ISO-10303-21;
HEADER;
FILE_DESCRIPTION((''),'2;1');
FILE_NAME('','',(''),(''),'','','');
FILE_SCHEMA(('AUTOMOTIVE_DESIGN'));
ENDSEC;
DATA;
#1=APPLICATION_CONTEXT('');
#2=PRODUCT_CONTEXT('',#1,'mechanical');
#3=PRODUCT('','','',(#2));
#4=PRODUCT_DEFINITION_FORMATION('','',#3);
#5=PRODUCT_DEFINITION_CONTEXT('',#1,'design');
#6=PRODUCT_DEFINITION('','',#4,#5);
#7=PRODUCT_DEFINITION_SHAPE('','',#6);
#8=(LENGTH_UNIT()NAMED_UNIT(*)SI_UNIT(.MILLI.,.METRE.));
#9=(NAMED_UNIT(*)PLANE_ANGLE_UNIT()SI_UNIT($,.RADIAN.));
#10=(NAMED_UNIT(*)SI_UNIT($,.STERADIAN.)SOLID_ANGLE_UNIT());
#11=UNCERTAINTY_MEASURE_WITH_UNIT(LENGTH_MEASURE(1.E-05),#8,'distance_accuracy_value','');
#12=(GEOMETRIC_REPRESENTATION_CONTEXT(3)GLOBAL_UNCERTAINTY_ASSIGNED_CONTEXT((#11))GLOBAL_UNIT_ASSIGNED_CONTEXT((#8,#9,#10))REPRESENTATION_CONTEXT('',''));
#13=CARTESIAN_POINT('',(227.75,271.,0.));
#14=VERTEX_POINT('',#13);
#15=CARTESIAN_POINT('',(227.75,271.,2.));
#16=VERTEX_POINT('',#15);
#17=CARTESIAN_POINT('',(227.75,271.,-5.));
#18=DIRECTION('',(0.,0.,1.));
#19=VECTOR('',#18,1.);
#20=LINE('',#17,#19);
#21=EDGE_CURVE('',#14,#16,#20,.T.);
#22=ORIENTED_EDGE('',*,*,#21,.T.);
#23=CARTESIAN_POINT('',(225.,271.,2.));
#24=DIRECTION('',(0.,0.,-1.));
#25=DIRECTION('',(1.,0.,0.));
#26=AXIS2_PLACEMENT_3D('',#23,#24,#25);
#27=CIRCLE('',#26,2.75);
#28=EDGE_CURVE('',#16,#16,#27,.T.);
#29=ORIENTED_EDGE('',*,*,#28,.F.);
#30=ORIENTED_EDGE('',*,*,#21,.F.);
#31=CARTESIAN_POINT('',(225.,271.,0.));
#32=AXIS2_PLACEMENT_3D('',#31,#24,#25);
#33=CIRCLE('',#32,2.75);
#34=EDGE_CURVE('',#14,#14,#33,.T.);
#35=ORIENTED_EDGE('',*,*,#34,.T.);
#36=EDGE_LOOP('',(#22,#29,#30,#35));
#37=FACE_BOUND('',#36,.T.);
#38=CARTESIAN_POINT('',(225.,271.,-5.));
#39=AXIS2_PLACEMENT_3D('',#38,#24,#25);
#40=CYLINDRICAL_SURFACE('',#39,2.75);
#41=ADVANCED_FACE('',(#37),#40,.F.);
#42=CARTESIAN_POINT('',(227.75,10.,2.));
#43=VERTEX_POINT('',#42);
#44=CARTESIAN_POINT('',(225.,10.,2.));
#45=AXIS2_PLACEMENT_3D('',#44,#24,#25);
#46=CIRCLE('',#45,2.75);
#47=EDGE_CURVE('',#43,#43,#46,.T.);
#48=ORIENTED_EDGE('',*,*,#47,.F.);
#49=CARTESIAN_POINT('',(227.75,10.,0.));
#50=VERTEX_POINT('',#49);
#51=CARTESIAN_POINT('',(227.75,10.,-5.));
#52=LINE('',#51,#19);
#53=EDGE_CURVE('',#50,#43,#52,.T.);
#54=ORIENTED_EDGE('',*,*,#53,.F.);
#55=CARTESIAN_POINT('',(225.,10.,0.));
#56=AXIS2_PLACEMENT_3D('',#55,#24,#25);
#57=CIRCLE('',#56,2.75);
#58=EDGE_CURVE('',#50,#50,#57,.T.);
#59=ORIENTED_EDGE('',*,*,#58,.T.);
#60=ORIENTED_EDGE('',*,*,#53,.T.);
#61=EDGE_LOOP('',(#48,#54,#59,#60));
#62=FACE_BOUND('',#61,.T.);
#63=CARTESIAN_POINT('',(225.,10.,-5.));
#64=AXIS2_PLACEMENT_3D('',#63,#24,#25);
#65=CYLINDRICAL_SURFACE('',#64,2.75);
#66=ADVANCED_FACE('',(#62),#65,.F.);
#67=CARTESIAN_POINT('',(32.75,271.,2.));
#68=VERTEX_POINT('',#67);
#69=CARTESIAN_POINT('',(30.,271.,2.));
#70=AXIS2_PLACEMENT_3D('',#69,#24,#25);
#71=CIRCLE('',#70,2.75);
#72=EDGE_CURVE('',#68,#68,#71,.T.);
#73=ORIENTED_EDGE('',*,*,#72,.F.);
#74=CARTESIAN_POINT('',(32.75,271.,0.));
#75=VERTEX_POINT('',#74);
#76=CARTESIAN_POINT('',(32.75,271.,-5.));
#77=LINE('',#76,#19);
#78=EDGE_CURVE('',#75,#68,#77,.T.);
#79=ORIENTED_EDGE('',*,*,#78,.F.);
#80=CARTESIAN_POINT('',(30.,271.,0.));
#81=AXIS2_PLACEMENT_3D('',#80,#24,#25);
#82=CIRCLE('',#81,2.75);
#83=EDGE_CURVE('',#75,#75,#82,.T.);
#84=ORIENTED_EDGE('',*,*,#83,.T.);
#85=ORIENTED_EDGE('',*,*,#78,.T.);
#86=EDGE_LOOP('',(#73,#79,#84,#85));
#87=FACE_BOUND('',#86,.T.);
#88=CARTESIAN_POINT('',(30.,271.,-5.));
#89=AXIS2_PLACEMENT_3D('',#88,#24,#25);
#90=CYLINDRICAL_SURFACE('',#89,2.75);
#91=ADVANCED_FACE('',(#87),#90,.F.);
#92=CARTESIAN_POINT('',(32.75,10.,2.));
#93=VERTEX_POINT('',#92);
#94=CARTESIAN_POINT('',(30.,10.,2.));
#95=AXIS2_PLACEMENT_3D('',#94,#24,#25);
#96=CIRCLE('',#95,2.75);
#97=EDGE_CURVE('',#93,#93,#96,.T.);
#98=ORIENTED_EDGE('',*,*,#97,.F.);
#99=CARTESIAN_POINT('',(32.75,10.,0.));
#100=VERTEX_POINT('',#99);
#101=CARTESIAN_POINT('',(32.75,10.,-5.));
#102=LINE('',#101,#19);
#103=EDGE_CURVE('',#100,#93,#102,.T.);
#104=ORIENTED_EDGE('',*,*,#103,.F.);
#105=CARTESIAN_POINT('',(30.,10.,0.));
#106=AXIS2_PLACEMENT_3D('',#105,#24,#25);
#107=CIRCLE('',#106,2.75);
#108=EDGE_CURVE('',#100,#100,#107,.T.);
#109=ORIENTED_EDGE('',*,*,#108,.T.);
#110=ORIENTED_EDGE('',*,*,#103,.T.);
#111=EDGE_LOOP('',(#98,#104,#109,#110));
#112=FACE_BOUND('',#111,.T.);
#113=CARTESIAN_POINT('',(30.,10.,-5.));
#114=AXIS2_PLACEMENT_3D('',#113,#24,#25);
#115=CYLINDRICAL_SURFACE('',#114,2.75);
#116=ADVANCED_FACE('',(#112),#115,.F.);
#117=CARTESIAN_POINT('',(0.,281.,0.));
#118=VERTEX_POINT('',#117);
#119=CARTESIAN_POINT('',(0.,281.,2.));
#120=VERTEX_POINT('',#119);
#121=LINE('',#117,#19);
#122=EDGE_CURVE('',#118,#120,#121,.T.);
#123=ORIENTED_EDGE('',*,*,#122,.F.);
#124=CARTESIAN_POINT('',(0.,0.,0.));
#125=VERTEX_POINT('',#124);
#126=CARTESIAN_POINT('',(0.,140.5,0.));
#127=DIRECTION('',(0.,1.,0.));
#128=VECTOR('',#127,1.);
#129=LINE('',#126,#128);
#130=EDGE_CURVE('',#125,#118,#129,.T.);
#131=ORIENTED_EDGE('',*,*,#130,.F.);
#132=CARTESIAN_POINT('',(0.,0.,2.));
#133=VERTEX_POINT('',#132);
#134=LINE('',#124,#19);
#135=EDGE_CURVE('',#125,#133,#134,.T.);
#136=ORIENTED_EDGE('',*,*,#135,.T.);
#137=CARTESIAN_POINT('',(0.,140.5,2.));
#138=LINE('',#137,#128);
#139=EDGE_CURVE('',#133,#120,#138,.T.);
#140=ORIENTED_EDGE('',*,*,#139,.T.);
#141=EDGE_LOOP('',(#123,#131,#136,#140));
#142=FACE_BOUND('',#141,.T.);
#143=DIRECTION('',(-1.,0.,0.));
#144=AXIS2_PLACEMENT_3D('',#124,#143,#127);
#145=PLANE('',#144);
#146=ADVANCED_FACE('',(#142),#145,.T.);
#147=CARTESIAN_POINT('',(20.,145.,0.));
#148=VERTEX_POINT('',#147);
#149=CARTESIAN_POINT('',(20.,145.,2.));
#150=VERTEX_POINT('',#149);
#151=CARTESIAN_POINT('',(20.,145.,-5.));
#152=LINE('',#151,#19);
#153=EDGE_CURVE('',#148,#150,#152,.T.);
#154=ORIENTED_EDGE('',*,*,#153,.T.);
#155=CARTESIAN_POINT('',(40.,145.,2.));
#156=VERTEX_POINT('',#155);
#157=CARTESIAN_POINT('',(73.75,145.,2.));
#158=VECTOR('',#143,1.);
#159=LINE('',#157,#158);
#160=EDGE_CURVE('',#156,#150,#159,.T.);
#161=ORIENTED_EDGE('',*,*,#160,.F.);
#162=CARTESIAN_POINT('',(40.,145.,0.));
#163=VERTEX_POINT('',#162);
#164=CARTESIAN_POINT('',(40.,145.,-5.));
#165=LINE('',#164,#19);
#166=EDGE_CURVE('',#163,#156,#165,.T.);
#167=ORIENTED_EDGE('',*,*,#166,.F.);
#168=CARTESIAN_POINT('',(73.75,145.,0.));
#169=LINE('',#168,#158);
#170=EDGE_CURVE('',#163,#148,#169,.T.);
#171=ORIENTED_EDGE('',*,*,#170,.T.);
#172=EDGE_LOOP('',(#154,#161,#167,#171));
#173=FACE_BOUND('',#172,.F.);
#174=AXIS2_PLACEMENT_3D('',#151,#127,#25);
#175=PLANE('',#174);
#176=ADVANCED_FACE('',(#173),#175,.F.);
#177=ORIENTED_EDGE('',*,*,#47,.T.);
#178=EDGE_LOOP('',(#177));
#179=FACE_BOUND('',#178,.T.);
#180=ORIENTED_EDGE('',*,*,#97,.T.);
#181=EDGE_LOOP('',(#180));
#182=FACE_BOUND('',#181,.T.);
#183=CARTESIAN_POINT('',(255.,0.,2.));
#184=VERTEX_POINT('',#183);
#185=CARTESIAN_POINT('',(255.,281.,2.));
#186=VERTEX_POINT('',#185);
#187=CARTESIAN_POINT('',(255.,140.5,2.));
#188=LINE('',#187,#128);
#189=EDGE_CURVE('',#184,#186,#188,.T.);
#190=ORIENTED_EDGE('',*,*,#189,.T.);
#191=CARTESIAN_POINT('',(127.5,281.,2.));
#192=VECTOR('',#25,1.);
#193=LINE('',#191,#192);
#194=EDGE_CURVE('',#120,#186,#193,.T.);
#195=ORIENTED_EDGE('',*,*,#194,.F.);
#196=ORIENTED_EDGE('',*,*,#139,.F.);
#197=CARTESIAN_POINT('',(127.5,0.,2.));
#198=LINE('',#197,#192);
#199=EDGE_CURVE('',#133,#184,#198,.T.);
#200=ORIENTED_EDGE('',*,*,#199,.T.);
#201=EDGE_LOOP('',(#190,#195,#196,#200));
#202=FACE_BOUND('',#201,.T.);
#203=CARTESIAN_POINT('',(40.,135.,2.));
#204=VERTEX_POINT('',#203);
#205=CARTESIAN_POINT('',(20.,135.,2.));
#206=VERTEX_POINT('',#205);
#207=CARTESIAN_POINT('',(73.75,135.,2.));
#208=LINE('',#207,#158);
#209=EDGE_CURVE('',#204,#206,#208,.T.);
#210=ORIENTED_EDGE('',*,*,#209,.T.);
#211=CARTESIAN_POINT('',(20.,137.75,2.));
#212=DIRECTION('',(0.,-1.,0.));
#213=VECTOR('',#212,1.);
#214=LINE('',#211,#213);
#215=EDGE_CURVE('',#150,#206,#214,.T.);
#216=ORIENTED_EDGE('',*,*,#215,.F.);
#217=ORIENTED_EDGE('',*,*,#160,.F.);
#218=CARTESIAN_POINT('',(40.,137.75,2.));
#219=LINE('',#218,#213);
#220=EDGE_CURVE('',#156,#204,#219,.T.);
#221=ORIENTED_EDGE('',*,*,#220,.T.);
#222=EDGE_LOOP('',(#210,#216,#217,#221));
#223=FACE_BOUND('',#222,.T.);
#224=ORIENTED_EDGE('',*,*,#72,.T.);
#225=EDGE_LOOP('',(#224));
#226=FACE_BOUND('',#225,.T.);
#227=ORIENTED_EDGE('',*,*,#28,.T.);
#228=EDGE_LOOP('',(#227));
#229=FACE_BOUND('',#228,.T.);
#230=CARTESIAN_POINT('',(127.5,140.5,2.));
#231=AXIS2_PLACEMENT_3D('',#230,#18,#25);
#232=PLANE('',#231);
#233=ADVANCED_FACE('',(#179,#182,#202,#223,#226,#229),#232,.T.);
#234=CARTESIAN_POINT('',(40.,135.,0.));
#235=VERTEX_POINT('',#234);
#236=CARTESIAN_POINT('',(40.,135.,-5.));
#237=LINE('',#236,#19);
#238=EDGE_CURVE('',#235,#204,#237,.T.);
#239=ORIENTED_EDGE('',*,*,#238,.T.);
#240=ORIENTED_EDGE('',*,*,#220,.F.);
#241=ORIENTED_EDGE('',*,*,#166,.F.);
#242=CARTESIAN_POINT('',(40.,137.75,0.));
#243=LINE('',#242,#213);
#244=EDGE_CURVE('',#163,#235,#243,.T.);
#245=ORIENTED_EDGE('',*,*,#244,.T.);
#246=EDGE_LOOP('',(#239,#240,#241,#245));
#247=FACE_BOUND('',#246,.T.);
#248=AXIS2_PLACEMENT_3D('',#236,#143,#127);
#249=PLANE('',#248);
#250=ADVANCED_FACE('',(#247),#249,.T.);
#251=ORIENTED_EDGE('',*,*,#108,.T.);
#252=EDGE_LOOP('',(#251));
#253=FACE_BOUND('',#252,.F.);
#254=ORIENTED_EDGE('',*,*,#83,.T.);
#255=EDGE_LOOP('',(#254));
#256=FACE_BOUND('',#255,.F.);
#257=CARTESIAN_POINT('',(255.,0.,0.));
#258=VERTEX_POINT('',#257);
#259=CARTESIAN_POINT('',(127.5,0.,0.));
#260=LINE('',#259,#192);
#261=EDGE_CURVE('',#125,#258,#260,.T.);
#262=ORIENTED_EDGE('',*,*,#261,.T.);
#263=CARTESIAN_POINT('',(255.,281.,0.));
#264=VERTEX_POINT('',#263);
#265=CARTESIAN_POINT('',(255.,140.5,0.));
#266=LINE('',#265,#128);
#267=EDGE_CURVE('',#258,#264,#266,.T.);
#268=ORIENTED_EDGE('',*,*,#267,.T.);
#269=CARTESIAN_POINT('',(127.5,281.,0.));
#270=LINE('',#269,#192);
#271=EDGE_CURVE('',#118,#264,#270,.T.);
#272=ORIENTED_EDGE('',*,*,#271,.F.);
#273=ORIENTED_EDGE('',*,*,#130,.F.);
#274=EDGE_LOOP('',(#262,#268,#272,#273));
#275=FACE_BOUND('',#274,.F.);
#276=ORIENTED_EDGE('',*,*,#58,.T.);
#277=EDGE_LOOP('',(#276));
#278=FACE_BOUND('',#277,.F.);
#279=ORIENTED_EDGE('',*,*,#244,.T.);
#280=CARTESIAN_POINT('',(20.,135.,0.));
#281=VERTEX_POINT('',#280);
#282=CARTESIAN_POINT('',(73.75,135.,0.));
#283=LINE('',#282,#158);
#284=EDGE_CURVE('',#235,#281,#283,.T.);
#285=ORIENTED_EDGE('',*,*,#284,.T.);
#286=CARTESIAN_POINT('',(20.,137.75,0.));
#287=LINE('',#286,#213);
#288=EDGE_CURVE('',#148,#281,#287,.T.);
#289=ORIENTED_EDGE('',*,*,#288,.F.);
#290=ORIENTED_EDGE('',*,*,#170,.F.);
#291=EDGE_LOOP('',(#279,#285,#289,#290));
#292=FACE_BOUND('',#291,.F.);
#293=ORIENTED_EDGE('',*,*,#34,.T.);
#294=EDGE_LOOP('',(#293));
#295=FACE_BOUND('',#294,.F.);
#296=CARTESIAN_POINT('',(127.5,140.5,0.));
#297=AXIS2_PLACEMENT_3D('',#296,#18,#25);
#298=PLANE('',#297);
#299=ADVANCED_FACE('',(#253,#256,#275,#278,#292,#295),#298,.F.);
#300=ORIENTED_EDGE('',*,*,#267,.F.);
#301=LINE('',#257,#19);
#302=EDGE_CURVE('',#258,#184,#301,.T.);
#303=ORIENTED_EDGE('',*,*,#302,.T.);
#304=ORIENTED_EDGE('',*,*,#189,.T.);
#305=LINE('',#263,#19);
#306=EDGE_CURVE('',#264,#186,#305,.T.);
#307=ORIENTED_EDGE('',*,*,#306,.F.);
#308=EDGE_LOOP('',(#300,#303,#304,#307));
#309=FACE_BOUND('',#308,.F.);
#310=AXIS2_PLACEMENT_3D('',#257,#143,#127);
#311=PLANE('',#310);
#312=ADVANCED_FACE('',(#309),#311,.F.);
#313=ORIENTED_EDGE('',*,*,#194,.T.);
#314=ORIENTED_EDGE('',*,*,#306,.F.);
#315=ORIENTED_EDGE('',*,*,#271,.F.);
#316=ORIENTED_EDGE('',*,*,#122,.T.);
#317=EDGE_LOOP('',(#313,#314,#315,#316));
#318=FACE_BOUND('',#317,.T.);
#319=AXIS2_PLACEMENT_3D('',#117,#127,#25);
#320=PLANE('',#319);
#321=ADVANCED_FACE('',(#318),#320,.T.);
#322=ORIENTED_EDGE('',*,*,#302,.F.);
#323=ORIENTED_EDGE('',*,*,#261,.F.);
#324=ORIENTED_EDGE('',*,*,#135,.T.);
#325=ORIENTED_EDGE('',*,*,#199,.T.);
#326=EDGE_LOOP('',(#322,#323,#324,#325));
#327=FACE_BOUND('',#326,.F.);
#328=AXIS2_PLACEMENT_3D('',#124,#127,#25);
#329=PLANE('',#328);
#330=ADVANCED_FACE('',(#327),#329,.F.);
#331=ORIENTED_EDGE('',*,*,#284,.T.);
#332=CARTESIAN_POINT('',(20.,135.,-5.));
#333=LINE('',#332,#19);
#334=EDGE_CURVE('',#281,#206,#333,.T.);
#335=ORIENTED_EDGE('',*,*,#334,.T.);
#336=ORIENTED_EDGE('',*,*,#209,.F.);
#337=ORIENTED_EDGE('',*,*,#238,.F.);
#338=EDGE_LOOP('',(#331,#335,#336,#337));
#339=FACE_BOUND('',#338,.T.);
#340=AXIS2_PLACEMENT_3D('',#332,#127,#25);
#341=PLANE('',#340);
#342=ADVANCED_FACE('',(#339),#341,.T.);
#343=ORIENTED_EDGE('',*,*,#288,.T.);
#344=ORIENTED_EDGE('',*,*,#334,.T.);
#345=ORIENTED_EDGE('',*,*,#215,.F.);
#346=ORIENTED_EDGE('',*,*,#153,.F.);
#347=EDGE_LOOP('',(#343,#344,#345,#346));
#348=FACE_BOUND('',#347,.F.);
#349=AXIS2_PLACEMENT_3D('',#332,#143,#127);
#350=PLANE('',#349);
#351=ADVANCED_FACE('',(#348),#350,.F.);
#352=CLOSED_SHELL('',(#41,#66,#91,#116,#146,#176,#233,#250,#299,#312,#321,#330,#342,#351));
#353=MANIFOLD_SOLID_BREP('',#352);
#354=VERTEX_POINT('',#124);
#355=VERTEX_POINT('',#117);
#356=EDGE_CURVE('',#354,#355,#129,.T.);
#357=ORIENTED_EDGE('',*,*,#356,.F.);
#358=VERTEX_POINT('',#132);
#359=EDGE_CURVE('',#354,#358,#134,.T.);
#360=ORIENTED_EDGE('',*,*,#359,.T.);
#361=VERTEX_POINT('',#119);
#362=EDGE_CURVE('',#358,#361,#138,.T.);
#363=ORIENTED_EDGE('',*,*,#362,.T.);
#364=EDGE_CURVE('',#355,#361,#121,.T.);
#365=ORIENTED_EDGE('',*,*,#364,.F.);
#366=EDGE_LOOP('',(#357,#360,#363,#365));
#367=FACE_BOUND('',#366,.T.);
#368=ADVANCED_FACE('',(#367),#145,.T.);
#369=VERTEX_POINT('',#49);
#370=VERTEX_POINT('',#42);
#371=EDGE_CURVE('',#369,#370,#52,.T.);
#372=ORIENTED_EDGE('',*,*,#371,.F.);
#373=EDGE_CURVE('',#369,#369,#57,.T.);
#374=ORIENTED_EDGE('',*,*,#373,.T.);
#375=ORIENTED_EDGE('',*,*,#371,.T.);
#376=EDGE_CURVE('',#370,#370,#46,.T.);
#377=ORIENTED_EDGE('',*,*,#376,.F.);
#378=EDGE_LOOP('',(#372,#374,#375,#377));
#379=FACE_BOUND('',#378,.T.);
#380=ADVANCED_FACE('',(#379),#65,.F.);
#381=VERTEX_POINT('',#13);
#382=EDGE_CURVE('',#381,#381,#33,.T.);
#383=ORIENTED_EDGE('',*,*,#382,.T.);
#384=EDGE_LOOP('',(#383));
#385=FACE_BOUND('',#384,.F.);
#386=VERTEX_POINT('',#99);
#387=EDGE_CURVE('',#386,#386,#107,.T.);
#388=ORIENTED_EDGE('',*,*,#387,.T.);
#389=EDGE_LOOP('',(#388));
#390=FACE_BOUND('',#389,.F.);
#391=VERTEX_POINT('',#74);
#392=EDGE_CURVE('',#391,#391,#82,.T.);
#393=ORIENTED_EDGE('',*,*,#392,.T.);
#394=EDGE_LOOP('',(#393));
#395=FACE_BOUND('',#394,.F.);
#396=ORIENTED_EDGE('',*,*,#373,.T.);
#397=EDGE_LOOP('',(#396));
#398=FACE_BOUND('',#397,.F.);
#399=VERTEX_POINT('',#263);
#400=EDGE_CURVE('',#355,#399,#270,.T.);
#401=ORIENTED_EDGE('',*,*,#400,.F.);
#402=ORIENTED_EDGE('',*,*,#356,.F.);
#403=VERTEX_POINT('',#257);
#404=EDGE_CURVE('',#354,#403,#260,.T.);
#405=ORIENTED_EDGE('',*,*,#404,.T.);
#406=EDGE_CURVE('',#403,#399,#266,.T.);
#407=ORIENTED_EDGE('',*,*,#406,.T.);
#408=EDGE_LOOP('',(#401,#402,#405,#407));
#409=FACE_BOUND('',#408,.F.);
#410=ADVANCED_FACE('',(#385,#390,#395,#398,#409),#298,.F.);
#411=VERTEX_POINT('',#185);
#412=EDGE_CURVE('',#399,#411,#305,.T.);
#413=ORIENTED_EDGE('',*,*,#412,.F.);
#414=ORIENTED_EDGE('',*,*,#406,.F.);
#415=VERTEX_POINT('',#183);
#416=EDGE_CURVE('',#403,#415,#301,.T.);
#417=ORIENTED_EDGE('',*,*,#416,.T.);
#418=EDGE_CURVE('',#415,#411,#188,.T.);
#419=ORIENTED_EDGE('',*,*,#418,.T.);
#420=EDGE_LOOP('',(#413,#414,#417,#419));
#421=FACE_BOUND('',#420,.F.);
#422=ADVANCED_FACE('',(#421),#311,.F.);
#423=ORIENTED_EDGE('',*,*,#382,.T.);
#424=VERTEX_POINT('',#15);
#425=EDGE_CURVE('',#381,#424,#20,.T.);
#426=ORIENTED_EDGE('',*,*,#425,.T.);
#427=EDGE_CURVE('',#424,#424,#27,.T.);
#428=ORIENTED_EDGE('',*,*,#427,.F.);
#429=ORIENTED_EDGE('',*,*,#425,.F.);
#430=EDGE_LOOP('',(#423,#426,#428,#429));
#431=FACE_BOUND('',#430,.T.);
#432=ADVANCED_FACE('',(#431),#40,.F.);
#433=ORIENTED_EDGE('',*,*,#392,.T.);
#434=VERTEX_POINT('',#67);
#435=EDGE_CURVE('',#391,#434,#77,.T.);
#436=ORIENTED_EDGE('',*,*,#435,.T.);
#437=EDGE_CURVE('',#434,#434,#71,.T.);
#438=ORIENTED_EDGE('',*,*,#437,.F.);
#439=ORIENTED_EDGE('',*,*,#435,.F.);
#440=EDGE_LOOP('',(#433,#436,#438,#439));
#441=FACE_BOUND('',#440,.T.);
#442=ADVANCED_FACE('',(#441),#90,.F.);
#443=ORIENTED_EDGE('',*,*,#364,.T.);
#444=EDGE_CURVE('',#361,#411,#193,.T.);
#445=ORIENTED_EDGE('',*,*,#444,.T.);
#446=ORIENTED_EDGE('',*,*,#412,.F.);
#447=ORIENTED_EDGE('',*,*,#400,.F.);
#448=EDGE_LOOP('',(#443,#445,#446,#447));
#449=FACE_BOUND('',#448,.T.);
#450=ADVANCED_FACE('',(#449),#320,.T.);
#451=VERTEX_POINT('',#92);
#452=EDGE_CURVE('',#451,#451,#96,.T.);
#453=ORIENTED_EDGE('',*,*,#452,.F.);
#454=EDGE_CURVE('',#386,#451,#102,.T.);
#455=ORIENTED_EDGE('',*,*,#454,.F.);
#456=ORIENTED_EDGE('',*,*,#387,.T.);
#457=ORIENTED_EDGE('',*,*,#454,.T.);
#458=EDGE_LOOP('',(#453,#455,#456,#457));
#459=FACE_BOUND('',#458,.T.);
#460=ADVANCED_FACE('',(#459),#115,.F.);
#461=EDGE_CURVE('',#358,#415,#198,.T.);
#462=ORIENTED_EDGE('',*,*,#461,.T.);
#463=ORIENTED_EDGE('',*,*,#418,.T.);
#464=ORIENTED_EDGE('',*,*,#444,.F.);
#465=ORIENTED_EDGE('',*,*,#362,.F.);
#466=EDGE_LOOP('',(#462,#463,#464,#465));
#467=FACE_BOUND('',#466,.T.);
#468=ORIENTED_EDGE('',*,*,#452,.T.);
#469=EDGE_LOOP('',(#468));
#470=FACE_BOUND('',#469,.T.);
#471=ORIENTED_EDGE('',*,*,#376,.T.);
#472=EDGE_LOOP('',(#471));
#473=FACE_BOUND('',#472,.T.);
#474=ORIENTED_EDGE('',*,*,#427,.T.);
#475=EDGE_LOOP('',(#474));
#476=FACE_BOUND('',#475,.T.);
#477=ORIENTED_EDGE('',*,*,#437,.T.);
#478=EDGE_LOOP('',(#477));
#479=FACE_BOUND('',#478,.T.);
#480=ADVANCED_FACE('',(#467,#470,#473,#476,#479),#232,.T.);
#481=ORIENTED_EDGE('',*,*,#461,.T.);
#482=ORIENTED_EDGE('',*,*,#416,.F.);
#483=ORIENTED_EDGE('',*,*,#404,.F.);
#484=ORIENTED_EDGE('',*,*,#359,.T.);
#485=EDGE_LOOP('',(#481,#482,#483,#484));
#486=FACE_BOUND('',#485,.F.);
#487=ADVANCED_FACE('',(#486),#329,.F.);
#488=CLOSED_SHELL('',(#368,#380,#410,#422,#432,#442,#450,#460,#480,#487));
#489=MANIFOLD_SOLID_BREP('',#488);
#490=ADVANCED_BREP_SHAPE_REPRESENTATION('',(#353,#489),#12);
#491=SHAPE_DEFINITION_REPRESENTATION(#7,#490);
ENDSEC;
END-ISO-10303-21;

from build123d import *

# Parameters (mm, degrees)
CYLINDER003_R     = 2.75
CYLINDER003_DEPTH = 10
CYLINDER002_R     = 2.75
CYLINDER002_DEPTH = 10
CYLINDER001_R     = 2.75
CYLINDER001_DEPTH = 10
CYLINDER_R        = 2.75
CYLINDER_DEPTH    = 10
BOX_W             = 255
BOX_H             = 281
BOX_DEPTH         = 2
BOX001_W          = 20
BOX001_H          = 10
BOX001_DEPTH      = 10


with BuildPart() as cylinder003:
    # Cylinder003 → Cylinder003 (new body)
    with BuildSketch(Plane(origin=(225, 271, -5), x_dir=(1, 0, 0), z_dir=(0, 0, 1))):
        Circle(CYLINDER003_R)
    extrude(amount=CYLINDER003_DEPTH)


with BuildPart() as cylinder002:
    # Cylinder002 → Cylinder002 (new body)
    with BuildSketch(Plane(origin=(225, 10, -5), x_dir=(1, 0, 0), z_dir=(0, 0, 1))):
        Circle(CYLINDER002_R)
    extrude(amount=CYLINDER002_DEPTH)


with BuildPart() as cylinder001:
    # Cylinder001 → Cylinder001 (new body)
    with BuildSketch(Plane(origin=(30, 271, -5), x_dir=(1, 0, 0), z_dir=(0, 0, 1))):
        Circle(CYLINDER001_R)
    extrude(amount=CYLINDER001_DEPTH)


with BuildPart() as cylinder:
    # Cylinder → Cylinder (new body)
    with BuildSketch(Plane(origin=(30, 10, -5), x_dir=(1, 0, 0), z_dir=(0, 0, 1))):
        Circle(CYLINDER_R)
    extrude(amount=CYLINDER_DEPTH)


with BuildPart() as cut002:
    # Box → Box (new body)
    with BuildSketch(Plane.XY.offset(0)):
        with Locations((127.5, 140.5)):
            Rectangle(BOX_W, BOX_H)
    extrude(amount=BOX_DEPTH)

    # Cut: cut Cylinder
    add(cylinder.part, mode=Mode.SUBTRACT)

    # Cut001: cut Cylinder001
    add(cylinder001.part, mode=Mode.SUBTRACT)

    # Cut002: cut Cylinder002
    add(cylinder002.part, mode=Mode.SUBTRACT)


with BuildPart() as cut004:
    # Cut004 base: copy of Cut002
    add(cut002.part)

    # Cut004: cut Cylinder003
    add(cylinder003.part, mode=Mode.SUBTRACT)


with BuildPart() as cube001:
    # Box001 → Box001 (new body)
    with BuildSketch(Plane(origin=(20, 135, -5), x_dir=(1, 0, 0), z_dir=(0, 0, 1))):
        with Locations((10, 5)):
            Rectangle(BOX001_W, BOX001_H)
    extrude(amount=BOX001_DEPTH)


with BuildPart() as cut005:
    # Cut003 base: copy of Cut002
    add(cut002.part)

    # Cut003: cut Cylinder003
    add(cylinder003.part, mode=Mode.SUBTRACT)

    # Cut005: cut Cube001
    add(cube001.part, mode=Mode.SUBTRACT)


solid = Compound([cut004.part, cut005.part])
